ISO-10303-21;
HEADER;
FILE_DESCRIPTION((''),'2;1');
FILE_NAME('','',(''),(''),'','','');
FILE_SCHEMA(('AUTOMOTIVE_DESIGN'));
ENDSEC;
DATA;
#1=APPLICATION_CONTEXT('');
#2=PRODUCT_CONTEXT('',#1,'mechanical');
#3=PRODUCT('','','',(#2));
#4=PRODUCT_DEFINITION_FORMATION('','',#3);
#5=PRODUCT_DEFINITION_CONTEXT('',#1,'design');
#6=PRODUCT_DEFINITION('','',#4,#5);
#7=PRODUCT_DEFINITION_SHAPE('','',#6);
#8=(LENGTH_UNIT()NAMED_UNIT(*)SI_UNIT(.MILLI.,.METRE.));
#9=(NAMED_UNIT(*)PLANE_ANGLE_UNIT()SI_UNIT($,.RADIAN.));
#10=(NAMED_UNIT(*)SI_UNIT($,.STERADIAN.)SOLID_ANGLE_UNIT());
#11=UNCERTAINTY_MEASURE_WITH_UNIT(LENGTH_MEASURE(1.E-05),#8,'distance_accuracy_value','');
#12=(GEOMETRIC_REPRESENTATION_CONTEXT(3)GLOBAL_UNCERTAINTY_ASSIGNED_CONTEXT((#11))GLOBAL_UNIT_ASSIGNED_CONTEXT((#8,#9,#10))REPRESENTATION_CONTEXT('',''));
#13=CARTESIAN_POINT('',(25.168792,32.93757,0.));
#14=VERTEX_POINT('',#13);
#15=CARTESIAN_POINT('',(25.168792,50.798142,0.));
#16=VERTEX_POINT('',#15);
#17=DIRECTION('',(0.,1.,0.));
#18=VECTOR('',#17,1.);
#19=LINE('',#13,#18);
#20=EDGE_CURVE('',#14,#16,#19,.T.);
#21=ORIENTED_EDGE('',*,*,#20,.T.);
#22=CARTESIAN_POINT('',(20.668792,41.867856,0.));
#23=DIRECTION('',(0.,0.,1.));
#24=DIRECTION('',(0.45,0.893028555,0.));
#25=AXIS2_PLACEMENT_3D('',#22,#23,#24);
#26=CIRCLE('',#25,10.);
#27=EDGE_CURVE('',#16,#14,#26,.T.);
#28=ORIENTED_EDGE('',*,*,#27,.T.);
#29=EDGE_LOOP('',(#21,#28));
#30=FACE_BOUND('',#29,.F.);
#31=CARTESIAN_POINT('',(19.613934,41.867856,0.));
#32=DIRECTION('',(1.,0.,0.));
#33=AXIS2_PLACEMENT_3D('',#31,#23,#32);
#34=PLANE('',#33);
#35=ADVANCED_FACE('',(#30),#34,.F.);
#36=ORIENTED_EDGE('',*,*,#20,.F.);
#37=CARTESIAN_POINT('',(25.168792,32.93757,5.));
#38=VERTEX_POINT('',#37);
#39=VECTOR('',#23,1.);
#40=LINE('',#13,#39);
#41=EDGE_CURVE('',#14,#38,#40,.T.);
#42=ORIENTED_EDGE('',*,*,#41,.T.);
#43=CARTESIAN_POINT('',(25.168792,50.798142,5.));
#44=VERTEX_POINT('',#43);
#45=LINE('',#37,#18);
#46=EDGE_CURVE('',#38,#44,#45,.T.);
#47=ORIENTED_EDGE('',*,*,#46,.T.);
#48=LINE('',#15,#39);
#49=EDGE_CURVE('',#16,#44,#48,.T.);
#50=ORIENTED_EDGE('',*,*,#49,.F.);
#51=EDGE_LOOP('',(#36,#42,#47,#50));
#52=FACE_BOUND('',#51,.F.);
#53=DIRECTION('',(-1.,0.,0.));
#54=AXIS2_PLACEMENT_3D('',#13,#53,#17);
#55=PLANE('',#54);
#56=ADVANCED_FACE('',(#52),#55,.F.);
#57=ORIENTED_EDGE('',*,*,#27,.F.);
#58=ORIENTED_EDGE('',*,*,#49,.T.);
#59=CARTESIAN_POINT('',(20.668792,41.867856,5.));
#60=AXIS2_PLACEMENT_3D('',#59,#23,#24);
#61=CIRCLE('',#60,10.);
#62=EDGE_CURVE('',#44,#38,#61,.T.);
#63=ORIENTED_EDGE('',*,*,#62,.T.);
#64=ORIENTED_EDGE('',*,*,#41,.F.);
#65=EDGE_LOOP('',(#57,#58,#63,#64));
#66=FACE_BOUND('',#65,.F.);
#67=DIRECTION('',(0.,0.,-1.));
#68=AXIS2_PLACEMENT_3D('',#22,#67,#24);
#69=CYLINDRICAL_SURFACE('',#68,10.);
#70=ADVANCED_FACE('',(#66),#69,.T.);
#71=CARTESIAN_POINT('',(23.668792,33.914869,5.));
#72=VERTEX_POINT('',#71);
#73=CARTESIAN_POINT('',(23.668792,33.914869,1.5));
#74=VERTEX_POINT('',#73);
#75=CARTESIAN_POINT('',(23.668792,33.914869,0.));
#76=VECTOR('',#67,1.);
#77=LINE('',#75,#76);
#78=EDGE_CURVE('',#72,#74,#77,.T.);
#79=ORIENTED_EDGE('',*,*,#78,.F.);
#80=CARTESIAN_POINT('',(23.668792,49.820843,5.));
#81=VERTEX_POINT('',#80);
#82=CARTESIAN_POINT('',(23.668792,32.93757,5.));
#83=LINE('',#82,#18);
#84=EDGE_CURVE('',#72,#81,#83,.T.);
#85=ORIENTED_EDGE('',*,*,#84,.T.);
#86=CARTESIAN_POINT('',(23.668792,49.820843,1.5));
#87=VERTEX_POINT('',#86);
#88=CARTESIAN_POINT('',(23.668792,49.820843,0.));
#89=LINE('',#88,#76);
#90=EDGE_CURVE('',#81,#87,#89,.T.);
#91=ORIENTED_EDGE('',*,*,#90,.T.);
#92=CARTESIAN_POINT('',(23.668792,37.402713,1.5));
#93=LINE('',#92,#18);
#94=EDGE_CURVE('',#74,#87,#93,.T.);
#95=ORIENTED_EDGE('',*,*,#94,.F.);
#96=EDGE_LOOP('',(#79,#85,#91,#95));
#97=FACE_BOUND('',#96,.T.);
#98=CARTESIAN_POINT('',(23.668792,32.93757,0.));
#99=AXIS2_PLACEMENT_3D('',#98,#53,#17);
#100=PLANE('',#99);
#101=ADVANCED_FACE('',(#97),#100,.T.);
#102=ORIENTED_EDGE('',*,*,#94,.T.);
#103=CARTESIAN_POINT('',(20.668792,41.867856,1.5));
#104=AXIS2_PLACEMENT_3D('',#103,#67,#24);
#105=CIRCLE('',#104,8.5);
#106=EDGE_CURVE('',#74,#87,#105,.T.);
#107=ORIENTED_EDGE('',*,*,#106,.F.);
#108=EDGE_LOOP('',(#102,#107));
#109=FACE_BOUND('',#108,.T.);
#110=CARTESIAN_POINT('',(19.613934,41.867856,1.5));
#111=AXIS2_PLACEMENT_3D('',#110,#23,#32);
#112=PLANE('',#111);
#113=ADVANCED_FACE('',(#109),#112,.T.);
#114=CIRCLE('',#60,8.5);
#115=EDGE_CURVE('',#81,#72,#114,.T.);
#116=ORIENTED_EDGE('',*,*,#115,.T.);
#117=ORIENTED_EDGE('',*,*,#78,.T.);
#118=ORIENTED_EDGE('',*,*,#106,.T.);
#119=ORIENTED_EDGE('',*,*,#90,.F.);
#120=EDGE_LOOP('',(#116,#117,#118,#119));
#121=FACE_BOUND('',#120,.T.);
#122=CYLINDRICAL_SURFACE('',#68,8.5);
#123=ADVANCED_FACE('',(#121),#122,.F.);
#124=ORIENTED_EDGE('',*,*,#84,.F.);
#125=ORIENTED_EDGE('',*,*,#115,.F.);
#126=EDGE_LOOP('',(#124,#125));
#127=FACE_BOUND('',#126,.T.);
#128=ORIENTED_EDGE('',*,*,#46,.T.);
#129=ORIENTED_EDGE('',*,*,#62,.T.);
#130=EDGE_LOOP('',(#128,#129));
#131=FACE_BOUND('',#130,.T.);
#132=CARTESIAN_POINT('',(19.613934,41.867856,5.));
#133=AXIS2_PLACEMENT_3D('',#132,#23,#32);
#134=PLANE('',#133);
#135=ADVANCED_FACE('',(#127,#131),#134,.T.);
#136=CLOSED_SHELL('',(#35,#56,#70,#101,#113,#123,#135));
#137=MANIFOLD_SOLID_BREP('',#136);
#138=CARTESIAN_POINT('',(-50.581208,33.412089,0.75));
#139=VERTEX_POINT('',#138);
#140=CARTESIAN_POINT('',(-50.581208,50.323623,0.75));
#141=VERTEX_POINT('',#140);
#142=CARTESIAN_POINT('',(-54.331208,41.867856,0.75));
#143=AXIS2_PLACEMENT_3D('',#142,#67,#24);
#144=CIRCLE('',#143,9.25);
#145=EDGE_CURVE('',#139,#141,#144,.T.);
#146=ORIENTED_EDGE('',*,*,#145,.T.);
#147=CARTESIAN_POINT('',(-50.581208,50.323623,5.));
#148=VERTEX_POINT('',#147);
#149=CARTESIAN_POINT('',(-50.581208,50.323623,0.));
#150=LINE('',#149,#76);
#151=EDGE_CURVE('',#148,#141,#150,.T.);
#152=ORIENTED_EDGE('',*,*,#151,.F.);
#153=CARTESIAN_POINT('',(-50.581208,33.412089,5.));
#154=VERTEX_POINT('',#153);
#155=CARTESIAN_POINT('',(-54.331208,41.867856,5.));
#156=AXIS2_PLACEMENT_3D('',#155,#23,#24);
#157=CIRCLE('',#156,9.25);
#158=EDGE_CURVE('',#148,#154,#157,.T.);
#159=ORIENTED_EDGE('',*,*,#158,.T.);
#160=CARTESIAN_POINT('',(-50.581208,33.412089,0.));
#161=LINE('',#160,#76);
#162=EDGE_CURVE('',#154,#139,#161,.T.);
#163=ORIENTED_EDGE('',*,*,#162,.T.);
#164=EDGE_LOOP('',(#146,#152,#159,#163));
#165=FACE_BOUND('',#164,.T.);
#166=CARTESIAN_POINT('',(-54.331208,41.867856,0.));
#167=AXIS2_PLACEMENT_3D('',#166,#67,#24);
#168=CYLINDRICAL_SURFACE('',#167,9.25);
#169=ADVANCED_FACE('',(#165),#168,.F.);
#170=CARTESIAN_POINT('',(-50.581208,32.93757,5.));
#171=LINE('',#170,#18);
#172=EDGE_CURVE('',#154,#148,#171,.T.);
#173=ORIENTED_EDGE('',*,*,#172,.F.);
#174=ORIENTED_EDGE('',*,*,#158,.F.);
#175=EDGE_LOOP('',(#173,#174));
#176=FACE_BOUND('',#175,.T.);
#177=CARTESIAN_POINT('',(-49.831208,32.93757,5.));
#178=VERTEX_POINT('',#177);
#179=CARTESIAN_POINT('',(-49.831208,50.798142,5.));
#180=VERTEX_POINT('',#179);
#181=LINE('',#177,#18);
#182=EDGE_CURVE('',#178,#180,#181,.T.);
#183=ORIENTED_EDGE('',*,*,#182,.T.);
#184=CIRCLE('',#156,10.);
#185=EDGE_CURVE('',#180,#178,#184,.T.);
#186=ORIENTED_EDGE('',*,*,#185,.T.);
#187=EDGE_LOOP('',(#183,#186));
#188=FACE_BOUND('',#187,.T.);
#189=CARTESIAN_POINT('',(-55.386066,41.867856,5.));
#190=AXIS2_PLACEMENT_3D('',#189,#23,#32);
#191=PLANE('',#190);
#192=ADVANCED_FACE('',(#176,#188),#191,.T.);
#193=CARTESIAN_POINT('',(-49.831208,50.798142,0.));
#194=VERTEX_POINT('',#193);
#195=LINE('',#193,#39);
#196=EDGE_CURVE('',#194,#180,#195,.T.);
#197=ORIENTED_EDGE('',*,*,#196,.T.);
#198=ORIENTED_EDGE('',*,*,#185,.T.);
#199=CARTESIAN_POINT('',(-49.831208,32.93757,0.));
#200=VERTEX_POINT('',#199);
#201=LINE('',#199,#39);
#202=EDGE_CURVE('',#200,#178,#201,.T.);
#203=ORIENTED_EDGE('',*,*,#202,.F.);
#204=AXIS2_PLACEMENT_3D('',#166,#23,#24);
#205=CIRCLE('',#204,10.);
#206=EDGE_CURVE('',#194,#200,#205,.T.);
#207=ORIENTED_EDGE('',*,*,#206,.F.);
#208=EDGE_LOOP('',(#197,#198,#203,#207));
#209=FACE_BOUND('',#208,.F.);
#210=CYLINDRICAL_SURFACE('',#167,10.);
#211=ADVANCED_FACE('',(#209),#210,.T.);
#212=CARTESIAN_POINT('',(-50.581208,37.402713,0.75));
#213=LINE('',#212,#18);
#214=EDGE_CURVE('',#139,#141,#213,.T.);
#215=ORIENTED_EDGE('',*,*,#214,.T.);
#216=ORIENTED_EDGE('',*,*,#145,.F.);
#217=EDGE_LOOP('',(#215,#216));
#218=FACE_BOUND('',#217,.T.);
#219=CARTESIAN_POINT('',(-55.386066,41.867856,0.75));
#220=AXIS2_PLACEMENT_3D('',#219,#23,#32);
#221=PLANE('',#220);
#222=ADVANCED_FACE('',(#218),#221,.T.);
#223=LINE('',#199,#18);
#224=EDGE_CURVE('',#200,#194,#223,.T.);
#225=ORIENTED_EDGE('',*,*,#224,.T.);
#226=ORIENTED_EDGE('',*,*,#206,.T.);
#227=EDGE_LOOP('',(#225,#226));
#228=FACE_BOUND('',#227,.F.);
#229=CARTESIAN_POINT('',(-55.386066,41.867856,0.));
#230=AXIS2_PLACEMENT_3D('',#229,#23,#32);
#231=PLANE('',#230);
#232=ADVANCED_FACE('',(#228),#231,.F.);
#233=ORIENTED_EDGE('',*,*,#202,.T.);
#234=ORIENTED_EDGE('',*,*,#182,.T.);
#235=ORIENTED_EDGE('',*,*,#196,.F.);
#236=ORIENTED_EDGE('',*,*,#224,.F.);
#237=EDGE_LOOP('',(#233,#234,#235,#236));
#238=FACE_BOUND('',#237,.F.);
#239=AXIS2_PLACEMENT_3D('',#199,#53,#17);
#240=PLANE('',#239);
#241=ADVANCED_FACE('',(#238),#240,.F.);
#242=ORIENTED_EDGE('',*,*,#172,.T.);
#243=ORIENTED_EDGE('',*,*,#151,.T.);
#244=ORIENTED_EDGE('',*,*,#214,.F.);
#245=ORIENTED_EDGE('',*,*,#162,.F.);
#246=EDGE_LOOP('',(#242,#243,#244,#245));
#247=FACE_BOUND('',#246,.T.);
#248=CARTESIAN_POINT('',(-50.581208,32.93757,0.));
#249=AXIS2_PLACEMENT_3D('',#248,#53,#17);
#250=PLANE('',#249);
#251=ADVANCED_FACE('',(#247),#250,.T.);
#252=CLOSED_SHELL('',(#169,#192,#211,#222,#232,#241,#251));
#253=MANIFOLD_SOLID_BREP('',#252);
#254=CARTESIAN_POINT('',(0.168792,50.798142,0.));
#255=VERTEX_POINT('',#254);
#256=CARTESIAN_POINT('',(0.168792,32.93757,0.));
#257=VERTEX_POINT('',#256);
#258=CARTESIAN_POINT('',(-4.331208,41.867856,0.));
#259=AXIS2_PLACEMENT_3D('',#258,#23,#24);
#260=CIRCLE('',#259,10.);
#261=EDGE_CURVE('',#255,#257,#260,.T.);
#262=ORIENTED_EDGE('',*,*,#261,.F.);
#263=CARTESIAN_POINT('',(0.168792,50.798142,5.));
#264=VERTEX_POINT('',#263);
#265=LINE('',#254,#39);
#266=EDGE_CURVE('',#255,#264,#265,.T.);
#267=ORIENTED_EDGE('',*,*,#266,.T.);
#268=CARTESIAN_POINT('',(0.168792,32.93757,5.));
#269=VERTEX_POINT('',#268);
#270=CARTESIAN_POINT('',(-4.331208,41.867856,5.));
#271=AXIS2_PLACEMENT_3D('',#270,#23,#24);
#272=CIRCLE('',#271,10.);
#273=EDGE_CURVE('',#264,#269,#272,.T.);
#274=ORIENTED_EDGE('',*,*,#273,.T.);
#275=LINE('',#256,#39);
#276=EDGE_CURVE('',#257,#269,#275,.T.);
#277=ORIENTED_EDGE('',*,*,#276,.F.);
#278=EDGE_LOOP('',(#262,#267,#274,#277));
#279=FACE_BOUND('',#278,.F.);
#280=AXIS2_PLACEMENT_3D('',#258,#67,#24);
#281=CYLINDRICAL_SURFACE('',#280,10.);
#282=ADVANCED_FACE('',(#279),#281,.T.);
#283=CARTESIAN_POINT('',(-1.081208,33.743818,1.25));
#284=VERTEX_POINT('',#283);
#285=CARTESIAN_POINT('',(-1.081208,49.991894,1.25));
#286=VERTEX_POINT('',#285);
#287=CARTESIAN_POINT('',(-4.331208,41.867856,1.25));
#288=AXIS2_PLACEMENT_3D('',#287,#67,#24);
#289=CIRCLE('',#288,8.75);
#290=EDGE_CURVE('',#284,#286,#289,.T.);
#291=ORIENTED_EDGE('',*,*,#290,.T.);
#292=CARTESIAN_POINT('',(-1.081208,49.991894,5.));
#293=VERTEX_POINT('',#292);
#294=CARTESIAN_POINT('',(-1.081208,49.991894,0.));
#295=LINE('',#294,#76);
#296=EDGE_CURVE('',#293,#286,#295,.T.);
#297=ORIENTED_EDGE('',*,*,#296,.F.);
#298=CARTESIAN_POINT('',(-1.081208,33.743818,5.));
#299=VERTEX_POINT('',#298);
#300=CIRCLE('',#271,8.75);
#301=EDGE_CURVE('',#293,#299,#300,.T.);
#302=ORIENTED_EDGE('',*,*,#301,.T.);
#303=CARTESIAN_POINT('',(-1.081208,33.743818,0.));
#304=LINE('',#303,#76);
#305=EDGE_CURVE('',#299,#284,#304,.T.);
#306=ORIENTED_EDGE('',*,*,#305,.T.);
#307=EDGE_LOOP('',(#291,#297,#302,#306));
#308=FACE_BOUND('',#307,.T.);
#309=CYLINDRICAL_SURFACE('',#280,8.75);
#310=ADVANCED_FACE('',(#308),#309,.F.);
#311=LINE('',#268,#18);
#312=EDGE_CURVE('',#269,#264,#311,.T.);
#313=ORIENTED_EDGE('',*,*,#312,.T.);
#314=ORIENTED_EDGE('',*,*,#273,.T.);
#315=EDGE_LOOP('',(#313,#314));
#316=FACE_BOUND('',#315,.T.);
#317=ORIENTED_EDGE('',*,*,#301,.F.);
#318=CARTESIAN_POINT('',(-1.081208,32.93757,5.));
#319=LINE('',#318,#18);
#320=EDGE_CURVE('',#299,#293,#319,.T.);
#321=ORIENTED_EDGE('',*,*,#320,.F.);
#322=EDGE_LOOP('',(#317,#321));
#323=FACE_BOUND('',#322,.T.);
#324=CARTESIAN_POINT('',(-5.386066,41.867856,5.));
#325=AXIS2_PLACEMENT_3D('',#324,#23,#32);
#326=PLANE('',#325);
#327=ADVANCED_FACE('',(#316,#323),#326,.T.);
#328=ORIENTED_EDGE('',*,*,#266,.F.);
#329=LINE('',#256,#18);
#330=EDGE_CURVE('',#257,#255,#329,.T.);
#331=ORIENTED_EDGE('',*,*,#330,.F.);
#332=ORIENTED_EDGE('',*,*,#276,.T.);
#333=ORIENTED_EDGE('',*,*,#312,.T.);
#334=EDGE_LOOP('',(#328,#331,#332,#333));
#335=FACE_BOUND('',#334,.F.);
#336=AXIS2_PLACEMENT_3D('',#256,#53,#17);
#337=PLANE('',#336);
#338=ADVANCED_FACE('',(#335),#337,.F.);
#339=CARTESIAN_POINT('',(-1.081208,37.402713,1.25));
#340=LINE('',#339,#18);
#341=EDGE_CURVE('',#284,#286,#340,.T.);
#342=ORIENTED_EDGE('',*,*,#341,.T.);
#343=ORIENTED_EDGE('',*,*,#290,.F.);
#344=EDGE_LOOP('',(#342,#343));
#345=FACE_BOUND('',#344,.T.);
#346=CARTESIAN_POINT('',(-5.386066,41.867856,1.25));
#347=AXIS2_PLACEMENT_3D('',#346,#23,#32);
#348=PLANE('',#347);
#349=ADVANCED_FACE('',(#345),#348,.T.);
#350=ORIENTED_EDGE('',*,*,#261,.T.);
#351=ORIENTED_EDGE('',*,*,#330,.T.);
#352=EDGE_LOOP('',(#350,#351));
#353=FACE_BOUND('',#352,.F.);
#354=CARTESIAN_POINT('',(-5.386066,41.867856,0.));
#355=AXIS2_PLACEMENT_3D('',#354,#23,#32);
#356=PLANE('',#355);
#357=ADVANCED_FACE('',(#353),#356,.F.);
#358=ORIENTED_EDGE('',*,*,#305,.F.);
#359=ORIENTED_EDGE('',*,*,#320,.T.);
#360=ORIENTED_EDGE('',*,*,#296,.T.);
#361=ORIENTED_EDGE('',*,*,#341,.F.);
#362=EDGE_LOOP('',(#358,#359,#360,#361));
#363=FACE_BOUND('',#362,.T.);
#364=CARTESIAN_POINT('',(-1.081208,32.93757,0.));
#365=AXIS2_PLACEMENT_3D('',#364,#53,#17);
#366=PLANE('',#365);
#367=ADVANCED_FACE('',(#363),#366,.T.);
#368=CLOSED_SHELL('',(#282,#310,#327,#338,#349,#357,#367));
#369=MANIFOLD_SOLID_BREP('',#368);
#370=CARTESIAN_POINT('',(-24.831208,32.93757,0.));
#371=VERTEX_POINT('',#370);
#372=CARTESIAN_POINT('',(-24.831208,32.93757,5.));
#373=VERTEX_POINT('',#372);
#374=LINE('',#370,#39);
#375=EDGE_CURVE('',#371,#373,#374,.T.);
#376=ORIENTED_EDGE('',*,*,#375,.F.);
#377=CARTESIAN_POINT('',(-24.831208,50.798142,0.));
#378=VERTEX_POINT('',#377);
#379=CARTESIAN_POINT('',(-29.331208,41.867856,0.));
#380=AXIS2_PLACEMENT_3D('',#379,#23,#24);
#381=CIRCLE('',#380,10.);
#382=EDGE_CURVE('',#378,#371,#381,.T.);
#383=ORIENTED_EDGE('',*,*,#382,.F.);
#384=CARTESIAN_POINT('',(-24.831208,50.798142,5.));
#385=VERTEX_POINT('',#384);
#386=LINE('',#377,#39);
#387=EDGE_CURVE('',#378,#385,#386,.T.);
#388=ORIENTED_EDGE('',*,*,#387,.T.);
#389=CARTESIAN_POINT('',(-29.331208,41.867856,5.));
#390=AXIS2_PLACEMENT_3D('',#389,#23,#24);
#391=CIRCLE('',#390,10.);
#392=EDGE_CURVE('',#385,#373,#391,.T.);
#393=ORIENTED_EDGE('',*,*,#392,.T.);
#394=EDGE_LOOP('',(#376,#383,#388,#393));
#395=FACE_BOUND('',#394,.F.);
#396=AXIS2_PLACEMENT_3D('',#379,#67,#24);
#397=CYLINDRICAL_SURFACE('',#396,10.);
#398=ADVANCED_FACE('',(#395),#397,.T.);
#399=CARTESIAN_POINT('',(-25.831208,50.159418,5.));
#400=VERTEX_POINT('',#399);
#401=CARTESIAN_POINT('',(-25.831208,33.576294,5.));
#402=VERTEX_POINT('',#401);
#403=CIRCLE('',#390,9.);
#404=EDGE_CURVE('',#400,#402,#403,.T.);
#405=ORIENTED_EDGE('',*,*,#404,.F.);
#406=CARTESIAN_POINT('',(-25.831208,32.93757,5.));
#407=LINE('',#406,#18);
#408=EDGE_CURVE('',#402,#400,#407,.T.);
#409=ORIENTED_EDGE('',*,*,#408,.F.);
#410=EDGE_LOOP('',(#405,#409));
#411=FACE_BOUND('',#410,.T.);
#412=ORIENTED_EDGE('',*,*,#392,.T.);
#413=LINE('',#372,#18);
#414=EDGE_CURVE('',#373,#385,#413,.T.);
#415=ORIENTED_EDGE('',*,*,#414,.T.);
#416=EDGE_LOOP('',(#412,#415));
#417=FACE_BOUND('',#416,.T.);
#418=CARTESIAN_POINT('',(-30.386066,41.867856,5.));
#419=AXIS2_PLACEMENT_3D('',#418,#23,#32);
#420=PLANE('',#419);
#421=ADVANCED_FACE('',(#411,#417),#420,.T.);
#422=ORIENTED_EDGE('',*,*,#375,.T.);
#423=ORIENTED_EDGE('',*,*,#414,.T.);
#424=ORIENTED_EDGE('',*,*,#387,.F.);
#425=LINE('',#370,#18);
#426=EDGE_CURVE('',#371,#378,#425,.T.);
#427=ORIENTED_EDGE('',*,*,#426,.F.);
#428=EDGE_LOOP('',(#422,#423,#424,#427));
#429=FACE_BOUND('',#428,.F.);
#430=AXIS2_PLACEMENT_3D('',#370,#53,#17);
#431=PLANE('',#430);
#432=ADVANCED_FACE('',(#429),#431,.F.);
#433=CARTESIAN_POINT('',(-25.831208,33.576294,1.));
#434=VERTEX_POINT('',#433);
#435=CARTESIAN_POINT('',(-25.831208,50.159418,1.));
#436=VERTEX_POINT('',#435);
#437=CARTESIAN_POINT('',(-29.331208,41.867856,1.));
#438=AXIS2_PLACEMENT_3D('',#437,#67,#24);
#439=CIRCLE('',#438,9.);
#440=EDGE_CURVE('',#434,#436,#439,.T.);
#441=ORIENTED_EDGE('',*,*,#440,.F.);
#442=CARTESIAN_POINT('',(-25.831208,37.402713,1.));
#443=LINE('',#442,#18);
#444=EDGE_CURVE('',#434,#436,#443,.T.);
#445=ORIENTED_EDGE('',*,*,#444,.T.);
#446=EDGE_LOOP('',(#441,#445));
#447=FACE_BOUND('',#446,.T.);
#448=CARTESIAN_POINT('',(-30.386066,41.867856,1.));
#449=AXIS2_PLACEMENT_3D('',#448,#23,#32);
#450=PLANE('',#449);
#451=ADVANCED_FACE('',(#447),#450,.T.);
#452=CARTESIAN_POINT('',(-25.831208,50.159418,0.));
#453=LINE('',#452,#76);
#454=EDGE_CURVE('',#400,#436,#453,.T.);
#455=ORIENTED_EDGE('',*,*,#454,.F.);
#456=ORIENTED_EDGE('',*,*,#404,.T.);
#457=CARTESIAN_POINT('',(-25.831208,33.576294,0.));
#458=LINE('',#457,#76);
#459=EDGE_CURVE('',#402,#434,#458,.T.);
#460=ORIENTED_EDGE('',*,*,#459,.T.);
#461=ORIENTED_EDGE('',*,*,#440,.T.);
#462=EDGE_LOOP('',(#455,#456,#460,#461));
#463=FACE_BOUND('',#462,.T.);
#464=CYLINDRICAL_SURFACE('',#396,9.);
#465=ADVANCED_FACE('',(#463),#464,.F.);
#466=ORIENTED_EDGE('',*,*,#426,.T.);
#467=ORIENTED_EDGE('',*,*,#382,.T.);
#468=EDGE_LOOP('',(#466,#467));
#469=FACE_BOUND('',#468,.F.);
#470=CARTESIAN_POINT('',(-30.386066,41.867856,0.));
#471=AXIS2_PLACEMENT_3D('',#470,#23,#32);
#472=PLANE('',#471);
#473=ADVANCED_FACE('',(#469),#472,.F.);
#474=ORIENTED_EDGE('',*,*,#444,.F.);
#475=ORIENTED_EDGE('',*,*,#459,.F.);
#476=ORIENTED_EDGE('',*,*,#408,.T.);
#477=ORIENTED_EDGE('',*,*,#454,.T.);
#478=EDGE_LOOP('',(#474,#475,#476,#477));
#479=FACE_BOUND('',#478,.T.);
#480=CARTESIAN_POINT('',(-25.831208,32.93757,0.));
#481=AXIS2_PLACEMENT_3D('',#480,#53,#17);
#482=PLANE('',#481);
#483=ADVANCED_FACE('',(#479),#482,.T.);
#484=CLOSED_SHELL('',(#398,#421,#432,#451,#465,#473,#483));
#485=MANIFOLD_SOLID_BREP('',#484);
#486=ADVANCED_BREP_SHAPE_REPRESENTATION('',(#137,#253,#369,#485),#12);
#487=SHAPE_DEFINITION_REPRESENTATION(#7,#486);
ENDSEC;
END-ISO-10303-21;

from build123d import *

# Parameters (mm, degrees)
F1_DEPTH = 5
F2_T     = -0.75
F3_T     = -1
F4_T     = -1.25
F5_T     = -1.5


with BuildPart() as f1:
    # F0 (on Top) → F1 (new body)
    with BuildSketch(Plane.XY):
        with BuildLine():
            Line((-49.8312081576, 32.9375704042), (-49.8312081576, 50.7981415037))
            ThreePointArc((-49.8312081576, 50.7981415037), (-64.3312081576, 41.8678559539), (-49.8312081576, 32.9375704042))
        make_face()
    extrude(amount=F1_DEPTH)

    # F2
    f2_openings = [f1.faces().sort_by_distance(p)[0] for p in [
        (-56.277542, 41.867856, 5),
    ]]
    offset(amount=F2_T, openings=f2_openings)


with BuildPart() as f1b:
    # F0 (on Top) → F1, piece 2 (new body)
    with BuildSketch(Plane.XY):
        with BuildLine():
            Line((-24.8312081576, 32.9375704042), (-24.8312081576, 50.7981415037))
            ThreePointArc((-24.8312081576, 50.7981415037), (-39.3312081576, 41.8678559539), (-24.8312081576, 32.9375704042))
        make_face()
    extrude(amount=F1_DEPTH)

    # F3
    f3_openings = [f1b.faces().sort_by_distance(p)[0] for p in [
        (-31.277542, 41.867856, 5),
    ]]
    offset(amount=F3_T, openings=f3_openings)


with BuildPart() as f1c:
    # F0 (on Top) → F1, piece 3 (new body)
    with BuildSketch(Plane.XY):
        with BuildLine():
            Line((0.1687918424, 32.9375704042), (0.1687918424, 50.7981415037))
            ThreePointArc((0.1687918424, 50.7981415037), (-14.3312081576, 41.8678559539), (0.1687918424, 32.9375704042))
        make_face()
    extrude(amount=F1_DEPTH)

    # F4
    f4_openings = [f1c.faces().sort_by_distance(p)[0] for p in [
        (-6.277542, 41.867856, 5),
    ]]
    offset(amount=F4_T, openings=f4_openings)


with BuildPart() as f1d:
    # F0 (on Top) → F1, piece 4 (new body)
    with BuildSketch(Plane.XY):
        with BuildLine():
            Line((25.1687918424, 32.9375704042), (25.1687918424, 50.7981415037))
            ThreePointArc((25.1687918424, 50.7981415037), (10.6687918424, 41.8678559539), (25.1687918424, 32.9375704042))
        make_face()
    extrude(amount=F1_DEPTH)

    # F5
    f5_openings = [f1d.faces().sort_by_distance(p)[0] for p in [
        (18.722458, 41.867856, 5),
    ]]
    offset(amount=F5_T, openings=f5_openings)


solid = Compound([f1.part, f1b.part, f1c.part, f1d.part])
